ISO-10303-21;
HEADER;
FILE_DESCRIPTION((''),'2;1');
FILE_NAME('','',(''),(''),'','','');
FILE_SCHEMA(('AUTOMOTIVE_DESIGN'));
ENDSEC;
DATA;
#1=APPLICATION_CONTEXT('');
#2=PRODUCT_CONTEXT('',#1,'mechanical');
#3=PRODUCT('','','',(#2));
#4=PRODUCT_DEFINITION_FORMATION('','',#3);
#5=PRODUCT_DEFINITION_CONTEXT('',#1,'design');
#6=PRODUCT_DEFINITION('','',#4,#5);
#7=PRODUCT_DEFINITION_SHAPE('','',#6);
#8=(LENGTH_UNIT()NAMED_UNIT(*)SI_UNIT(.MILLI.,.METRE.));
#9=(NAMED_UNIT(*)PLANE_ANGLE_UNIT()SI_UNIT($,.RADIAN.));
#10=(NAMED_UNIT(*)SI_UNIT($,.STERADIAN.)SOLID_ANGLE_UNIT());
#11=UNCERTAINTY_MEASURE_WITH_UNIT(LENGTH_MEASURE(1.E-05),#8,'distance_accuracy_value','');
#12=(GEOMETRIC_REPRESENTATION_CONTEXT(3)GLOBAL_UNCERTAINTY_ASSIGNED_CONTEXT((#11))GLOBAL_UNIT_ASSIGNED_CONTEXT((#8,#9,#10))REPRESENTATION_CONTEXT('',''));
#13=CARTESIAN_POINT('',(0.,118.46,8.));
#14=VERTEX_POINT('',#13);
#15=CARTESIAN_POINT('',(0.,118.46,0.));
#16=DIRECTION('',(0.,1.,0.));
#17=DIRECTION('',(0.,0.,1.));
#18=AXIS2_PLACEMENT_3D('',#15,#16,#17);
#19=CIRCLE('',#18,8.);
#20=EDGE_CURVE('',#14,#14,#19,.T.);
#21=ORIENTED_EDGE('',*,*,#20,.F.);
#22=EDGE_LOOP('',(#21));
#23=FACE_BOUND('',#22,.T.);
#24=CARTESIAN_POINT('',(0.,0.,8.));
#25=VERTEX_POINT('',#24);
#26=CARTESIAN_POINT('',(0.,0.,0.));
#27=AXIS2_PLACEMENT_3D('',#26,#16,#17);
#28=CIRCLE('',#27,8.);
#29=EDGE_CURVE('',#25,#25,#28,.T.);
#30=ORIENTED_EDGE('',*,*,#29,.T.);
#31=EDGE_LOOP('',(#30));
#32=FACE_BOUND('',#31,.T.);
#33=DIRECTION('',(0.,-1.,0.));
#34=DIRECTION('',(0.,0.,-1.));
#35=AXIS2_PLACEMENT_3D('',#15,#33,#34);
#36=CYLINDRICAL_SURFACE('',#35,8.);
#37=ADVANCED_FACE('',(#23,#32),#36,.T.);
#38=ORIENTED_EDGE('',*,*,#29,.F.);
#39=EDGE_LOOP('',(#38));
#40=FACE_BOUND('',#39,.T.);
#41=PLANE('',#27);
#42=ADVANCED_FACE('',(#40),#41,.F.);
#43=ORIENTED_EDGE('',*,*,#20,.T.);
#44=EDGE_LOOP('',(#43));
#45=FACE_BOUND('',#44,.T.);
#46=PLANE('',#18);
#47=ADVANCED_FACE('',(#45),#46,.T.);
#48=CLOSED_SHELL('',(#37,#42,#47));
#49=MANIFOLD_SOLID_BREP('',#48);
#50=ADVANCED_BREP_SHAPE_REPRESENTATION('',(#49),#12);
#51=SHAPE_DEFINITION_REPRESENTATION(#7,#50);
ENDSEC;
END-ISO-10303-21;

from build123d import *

# Parameters (mm, degrees)
SCHIZZO1_R                   = 8
ESTRUSIONE_ESTRUSIONE1_DEPTH = 118.46


with BuildPart() as part:
    # Schizzo1 → Estrusione-Estrusione1 (new body)
    with BuildSketch(Plane(origin=(0, 0, 0), x_dir=(1, 0, 0), z_dir=(0, 1, 0))):
        Circle(SCHIZZO1_R)
    extrude(amount=ESTRUSIONE_ESTRUSIONE1_DEPTH)


solid = part.part
